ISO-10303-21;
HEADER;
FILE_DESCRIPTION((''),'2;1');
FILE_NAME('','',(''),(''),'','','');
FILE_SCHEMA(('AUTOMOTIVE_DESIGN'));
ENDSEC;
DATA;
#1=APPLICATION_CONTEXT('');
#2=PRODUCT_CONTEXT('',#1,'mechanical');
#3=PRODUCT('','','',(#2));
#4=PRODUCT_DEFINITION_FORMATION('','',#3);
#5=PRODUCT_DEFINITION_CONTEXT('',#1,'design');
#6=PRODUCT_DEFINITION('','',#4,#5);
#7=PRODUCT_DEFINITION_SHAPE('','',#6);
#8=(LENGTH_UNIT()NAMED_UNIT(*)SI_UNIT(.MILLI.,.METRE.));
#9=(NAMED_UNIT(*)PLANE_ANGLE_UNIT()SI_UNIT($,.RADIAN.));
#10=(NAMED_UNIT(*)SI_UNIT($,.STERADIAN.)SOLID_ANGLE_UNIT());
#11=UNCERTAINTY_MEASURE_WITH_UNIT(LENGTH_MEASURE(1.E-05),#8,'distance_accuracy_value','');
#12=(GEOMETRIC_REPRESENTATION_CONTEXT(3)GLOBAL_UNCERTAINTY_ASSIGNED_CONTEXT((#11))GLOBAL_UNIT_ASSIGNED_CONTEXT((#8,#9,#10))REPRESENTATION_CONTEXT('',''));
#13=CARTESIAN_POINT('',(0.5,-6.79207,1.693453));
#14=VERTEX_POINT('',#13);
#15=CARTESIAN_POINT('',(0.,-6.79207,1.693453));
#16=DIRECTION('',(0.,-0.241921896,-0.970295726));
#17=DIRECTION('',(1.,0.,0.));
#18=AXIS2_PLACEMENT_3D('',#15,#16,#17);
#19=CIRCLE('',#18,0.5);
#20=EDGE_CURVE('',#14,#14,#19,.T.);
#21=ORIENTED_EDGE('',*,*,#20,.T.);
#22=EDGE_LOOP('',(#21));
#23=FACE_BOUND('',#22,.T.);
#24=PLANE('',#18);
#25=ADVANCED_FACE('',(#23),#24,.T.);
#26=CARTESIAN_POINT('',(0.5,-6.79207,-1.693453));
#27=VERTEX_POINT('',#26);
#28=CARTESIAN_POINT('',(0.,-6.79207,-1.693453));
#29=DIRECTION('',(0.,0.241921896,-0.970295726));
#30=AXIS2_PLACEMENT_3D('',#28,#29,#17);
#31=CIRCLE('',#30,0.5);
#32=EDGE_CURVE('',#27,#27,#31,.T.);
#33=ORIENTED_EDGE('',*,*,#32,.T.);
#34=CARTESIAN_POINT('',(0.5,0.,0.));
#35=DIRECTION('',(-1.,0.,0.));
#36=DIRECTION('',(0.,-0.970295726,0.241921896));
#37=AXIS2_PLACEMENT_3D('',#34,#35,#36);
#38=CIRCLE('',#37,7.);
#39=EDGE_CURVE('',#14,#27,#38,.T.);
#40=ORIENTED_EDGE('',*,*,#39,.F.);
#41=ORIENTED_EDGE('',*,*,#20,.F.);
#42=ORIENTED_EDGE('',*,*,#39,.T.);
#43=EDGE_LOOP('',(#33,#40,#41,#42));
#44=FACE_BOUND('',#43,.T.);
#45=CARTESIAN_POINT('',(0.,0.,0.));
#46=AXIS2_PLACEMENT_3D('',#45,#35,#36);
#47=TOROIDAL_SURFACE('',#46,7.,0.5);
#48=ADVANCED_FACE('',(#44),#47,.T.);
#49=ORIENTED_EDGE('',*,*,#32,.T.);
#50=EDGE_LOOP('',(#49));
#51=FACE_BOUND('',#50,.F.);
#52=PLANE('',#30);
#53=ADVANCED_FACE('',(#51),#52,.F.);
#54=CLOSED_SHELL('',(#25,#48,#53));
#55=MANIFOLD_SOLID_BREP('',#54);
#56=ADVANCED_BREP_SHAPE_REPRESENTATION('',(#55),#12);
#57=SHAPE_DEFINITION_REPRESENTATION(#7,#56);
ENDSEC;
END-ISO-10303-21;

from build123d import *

# Parameters (mm, degrees)
F0_R          = 0.5
F1_ANGLE_BACK = 166
F1_ANGLE      = 332


with BuildPart() as f1:
    # F0 (on Top) → F1 (revolve)
    with BuildSketch(Plane.XY, mode=Mode.PRIVATE) as f1_sk:
        with Locations((0, 7)):
            Circle(F0_R)
    revolve(f1_sk.sketch.rotate(Axis((-0.5296617976, 0, 0), (-1, 0, 0)), -F1_ANGLE_BACK), axis=Axis((-0.5296617976, 0, 0), (-1, 0, 0)), revolution_arc=F1_ANGLE)


solid = f1.part
